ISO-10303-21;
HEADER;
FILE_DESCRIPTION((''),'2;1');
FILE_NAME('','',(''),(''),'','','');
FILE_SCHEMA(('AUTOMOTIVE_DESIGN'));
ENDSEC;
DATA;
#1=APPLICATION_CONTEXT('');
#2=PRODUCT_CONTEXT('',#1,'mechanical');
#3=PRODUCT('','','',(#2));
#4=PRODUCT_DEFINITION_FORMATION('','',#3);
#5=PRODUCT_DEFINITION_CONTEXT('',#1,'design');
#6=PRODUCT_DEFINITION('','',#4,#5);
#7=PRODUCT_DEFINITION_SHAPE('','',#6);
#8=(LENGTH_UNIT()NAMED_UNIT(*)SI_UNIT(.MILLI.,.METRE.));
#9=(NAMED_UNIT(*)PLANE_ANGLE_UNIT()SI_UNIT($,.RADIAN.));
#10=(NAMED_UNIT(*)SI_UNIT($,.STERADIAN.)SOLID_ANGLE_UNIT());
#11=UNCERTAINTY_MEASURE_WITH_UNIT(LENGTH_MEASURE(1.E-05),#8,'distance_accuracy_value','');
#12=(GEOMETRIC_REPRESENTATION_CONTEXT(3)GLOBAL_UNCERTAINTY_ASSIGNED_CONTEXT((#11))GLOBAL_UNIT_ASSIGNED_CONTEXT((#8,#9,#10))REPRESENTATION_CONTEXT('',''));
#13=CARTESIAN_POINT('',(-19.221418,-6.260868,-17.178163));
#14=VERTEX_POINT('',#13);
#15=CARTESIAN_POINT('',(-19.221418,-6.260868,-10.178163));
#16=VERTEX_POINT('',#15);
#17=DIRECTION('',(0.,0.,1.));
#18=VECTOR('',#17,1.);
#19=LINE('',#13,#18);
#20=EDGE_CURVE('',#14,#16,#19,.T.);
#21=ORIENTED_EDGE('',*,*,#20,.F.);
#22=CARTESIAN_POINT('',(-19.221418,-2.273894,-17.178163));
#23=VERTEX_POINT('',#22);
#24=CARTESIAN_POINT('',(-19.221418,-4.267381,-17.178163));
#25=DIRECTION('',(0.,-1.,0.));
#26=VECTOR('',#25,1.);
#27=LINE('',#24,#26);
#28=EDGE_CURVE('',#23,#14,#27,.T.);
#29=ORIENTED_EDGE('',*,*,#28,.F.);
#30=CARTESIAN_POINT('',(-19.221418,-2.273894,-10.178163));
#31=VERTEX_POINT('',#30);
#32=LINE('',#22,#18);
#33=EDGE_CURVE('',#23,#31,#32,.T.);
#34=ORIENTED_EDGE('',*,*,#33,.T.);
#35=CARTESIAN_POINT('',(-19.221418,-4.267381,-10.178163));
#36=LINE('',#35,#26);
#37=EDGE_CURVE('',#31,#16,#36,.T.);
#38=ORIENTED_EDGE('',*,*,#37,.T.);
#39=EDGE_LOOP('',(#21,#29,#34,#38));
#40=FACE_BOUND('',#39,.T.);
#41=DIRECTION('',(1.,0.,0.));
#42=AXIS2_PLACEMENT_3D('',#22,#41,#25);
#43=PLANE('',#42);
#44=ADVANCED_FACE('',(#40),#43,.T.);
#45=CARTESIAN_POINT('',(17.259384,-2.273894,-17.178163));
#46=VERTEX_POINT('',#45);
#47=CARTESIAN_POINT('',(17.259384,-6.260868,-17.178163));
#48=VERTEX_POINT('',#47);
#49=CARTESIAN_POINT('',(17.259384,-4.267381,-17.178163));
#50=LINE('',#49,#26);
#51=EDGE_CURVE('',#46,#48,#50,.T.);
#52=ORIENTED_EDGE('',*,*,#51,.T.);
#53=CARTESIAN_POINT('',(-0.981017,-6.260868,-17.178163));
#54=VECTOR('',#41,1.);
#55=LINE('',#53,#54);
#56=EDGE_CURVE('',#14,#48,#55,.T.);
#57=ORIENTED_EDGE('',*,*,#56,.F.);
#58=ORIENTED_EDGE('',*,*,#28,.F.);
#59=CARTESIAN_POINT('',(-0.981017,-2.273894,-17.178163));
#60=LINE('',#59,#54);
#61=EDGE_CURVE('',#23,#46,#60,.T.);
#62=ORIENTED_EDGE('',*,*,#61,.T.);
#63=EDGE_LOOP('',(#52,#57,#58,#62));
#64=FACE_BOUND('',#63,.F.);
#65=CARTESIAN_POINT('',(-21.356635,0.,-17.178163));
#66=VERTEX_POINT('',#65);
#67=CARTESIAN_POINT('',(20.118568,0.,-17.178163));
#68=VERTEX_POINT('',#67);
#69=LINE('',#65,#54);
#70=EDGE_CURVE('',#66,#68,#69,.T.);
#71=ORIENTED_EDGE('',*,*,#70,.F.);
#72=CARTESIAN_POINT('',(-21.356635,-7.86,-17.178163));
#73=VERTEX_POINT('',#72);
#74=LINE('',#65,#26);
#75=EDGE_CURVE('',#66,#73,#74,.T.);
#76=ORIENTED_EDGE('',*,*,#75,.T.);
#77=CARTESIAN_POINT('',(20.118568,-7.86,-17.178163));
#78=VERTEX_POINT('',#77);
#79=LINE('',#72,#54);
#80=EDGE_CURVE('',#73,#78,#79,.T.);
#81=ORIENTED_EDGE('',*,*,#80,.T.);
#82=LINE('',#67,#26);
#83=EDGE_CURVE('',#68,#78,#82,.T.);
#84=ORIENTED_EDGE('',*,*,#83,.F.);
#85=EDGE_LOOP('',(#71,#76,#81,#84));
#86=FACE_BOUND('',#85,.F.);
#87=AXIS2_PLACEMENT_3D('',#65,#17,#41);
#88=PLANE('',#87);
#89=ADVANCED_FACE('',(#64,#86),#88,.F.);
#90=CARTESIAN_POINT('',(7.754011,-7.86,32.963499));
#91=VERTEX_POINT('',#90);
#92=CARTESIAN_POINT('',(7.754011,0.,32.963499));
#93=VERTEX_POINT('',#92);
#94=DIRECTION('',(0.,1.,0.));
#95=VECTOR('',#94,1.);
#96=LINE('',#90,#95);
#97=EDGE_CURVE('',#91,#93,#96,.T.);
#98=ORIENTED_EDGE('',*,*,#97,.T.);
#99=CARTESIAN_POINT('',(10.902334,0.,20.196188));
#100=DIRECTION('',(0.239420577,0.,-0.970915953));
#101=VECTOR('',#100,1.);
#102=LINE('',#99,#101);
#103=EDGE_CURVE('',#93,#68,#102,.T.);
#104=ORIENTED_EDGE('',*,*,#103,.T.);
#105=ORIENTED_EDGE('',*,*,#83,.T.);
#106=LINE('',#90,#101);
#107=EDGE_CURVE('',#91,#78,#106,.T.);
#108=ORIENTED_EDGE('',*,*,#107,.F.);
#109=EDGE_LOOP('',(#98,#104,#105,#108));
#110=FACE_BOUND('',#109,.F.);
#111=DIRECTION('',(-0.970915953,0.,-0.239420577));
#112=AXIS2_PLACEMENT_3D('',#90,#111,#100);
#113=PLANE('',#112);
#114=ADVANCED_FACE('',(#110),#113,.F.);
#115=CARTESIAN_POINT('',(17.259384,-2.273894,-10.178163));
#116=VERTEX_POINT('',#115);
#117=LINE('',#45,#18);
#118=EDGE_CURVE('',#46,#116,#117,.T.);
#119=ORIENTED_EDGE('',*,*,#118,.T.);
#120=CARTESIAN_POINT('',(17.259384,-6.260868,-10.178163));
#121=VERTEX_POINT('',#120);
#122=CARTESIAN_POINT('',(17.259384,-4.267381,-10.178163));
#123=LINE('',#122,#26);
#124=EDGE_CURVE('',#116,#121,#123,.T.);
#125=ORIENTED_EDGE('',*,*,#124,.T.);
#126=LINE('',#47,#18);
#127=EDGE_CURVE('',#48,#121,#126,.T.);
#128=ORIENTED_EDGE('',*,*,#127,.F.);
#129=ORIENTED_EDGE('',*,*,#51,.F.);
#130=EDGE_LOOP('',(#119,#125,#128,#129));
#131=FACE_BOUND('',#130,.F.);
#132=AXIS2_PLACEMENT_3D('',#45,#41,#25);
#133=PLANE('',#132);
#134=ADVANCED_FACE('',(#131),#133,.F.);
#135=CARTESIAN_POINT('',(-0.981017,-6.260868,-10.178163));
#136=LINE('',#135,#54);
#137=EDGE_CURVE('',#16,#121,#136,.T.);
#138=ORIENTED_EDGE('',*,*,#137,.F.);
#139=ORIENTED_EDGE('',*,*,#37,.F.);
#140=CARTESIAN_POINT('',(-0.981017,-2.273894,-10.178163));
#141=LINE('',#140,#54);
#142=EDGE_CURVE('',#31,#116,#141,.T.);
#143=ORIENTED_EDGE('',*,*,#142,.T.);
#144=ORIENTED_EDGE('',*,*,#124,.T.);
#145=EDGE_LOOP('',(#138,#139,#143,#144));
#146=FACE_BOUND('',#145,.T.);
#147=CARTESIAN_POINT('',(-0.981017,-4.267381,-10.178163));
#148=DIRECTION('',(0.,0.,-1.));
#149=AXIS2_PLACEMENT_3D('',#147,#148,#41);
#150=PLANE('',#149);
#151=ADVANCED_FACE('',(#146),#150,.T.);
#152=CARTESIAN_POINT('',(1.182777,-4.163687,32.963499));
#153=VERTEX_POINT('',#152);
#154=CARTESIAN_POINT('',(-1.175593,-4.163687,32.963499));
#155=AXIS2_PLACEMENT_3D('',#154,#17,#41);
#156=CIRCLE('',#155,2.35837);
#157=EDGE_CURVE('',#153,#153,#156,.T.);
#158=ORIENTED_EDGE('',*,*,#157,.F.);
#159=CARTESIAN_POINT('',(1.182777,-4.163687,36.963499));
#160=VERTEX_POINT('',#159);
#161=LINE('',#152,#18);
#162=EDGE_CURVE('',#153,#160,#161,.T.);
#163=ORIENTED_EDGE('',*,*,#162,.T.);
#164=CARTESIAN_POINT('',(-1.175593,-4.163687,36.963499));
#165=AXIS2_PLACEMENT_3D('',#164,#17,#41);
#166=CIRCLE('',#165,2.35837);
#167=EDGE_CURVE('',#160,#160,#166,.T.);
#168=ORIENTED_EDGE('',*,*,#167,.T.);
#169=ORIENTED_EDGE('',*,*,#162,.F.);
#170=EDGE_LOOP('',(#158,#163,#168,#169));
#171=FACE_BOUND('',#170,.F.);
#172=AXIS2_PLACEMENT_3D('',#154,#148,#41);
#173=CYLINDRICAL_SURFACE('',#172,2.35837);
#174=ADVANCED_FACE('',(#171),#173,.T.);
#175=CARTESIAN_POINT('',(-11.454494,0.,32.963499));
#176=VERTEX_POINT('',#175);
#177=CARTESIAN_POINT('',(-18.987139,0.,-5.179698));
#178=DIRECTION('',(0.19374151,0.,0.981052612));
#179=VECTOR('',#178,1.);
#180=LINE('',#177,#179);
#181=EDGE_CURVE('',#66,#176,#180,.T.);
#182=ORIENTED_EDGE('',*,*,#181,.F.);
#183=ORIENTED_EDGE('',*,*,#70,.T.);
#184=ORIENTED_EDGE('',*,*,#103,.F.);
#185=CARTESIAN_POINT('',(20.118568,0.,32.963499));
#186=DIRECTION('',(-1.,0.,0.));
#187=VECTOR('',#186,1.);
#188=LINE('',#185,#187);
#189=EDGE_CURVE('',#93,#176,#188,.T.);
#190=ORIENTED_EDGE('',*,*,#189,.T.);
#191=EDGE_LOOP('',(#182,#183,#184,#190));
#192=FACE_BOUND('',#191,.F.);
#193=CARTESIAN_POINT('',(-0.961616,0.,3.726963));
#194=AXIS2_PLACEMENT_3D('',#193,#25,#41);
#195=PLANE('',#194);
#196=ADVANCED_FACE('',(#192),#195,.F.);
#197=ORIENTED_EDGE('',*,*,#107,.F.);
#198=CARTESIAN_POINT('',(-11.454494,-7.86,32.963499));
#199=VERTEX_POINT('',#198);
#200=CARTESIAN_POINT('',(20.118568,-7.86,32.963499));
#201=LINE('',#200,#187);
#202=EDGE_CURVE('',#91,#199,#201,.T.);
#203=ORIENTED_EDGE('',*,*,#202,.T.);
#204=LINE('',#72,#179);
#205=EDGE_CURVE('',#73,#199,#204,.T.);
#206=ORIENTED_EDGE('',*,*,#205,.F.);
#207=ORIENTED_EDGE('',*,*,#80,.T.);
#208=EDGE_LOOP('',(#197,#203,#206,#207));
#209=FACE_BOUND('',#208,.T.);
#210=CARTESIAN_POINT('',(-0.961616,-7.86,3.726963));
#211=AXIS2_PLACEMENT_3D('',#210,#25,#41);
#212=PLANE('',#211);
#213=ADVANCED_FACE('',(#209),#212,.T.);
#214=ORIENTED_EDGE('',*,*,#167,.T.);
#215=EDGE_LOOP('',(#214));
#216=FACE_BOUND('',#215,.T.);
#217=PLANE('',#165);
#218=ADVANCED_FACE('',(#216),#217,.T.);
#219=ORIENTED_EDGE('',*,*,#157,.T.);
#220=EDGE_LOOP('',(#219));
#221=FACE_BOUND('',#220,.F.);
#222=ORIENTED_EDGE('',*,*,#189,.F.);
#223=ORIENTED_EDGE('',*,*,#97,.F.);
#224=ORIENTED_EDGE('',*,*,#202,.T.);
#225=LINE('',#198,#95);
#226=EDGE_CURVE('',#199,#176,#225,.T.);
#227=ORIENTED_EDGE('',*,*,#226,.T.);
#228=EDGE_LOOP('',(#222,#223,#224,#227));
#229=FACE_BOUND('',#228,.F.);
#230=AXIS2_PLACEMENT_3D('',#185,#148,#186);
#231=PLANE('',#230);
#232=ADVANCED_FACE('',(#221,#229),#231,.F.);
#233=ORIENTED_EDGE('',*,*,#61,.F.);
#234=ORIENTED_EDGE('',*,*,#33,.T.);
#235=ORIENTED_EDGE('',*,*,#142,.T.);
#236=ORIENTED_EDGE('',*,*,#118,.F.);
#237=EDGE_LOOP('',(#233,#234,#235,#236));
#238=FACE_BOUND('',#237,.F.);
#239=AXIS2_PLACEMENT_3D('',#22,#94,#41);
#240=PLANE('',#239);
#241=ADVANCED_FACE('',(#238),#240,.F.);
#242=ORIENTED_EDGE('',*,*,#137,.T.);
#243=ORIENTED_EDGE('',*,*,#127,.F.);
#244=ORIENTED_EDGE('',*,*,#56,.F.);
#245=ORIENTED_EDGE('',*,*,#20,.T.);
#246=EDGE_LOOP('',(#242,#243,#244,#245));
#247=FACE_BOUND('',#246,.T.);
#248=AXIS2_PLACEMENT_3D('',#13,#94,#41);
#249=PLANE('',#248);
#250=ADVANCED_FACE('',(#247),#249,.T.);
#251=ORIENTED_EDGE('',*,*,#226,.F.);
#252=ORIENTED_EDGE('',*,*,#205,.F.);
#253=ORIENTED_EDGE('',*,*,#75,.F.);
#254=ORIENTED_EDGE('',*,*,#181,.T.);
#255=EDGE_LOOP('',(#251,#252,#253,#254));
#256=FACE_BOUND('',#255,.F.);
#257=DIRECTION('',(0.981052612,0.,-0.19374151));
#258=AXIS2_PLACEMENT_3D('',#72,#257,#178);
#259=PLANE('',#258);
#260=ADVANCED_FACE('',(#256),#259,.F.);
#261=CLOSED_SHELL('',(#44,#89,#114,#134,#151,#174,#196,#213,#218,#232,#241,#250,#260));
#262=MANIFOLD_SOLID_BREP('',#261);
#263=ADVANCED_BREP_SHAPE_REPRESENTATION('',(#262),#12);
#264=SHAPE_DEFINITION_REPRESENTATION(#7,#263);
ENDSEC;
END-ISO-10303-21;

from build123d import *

# Parameters (mm, degrees)
F1_DEPTH = 7.86
F3_DEPTH = 25.4
F4_R     = 2.35837
F5_DEPTH = 4
F6_W     = 36.480802
F6_H     = 3.986974
F7_DEPTH = 7


with BuildPart() as f1:
    # F0 (on Front) → F1 (new body)
    with BuildSketch(Plane.XZ):
        Polygon((5.895124, 32.963499), (-8.975978, 32.963499), (-21.356635, -17.178163), (20.118568, -17.178163), align=None)
        Polygon((-8.975978, 32.963499), (-21.356635, 32.963499), (-21.356635, -17.178163), align=None)
        Polygon((20.118568, 32.963499), (5.895124, 32.963499), (20.118568, -17.178163), align=None)
    extrude(amount=F1_DEPTH)

    # F2 (on face) → F3 (cut)
    with BuildSketch(Plane.XZ.offset(7.86)):
        Polygon((-21.356635, 32.963499), (-21.356635, -17.178163), (-11.454494, 32.963499), align=None)
        Polygon((7.754011, 32.963499), (20.118568, -17.178163), (20.118568, 32.963499), align=None)
    extrude(amount=-F3_DEPTH, mode=Mode.SUBTRACT)

    # F4 (on face) → F5 (join)
    with BuildSketch(Plane.XY.offset(32.963499)):
        with Locations((-1.175593, -4.163687)):
            Circle(F4_R)
    extrude(amount=F5_DEPTH)

    # F6 (on face) → F7 (cut)
    with BuildSketch(Plane(origin=(0, 0, -17.178163), x_dir=(1, 0, 0), z_dir=(0, 0, -1))):
        with Locations((-0.981017, 4.267381)):
            Rectangle(F6_W, F6_H)
    extrude(amount=-F7_DEPTH, mode=Mode.SUBTRACT)


solid = f1.part
